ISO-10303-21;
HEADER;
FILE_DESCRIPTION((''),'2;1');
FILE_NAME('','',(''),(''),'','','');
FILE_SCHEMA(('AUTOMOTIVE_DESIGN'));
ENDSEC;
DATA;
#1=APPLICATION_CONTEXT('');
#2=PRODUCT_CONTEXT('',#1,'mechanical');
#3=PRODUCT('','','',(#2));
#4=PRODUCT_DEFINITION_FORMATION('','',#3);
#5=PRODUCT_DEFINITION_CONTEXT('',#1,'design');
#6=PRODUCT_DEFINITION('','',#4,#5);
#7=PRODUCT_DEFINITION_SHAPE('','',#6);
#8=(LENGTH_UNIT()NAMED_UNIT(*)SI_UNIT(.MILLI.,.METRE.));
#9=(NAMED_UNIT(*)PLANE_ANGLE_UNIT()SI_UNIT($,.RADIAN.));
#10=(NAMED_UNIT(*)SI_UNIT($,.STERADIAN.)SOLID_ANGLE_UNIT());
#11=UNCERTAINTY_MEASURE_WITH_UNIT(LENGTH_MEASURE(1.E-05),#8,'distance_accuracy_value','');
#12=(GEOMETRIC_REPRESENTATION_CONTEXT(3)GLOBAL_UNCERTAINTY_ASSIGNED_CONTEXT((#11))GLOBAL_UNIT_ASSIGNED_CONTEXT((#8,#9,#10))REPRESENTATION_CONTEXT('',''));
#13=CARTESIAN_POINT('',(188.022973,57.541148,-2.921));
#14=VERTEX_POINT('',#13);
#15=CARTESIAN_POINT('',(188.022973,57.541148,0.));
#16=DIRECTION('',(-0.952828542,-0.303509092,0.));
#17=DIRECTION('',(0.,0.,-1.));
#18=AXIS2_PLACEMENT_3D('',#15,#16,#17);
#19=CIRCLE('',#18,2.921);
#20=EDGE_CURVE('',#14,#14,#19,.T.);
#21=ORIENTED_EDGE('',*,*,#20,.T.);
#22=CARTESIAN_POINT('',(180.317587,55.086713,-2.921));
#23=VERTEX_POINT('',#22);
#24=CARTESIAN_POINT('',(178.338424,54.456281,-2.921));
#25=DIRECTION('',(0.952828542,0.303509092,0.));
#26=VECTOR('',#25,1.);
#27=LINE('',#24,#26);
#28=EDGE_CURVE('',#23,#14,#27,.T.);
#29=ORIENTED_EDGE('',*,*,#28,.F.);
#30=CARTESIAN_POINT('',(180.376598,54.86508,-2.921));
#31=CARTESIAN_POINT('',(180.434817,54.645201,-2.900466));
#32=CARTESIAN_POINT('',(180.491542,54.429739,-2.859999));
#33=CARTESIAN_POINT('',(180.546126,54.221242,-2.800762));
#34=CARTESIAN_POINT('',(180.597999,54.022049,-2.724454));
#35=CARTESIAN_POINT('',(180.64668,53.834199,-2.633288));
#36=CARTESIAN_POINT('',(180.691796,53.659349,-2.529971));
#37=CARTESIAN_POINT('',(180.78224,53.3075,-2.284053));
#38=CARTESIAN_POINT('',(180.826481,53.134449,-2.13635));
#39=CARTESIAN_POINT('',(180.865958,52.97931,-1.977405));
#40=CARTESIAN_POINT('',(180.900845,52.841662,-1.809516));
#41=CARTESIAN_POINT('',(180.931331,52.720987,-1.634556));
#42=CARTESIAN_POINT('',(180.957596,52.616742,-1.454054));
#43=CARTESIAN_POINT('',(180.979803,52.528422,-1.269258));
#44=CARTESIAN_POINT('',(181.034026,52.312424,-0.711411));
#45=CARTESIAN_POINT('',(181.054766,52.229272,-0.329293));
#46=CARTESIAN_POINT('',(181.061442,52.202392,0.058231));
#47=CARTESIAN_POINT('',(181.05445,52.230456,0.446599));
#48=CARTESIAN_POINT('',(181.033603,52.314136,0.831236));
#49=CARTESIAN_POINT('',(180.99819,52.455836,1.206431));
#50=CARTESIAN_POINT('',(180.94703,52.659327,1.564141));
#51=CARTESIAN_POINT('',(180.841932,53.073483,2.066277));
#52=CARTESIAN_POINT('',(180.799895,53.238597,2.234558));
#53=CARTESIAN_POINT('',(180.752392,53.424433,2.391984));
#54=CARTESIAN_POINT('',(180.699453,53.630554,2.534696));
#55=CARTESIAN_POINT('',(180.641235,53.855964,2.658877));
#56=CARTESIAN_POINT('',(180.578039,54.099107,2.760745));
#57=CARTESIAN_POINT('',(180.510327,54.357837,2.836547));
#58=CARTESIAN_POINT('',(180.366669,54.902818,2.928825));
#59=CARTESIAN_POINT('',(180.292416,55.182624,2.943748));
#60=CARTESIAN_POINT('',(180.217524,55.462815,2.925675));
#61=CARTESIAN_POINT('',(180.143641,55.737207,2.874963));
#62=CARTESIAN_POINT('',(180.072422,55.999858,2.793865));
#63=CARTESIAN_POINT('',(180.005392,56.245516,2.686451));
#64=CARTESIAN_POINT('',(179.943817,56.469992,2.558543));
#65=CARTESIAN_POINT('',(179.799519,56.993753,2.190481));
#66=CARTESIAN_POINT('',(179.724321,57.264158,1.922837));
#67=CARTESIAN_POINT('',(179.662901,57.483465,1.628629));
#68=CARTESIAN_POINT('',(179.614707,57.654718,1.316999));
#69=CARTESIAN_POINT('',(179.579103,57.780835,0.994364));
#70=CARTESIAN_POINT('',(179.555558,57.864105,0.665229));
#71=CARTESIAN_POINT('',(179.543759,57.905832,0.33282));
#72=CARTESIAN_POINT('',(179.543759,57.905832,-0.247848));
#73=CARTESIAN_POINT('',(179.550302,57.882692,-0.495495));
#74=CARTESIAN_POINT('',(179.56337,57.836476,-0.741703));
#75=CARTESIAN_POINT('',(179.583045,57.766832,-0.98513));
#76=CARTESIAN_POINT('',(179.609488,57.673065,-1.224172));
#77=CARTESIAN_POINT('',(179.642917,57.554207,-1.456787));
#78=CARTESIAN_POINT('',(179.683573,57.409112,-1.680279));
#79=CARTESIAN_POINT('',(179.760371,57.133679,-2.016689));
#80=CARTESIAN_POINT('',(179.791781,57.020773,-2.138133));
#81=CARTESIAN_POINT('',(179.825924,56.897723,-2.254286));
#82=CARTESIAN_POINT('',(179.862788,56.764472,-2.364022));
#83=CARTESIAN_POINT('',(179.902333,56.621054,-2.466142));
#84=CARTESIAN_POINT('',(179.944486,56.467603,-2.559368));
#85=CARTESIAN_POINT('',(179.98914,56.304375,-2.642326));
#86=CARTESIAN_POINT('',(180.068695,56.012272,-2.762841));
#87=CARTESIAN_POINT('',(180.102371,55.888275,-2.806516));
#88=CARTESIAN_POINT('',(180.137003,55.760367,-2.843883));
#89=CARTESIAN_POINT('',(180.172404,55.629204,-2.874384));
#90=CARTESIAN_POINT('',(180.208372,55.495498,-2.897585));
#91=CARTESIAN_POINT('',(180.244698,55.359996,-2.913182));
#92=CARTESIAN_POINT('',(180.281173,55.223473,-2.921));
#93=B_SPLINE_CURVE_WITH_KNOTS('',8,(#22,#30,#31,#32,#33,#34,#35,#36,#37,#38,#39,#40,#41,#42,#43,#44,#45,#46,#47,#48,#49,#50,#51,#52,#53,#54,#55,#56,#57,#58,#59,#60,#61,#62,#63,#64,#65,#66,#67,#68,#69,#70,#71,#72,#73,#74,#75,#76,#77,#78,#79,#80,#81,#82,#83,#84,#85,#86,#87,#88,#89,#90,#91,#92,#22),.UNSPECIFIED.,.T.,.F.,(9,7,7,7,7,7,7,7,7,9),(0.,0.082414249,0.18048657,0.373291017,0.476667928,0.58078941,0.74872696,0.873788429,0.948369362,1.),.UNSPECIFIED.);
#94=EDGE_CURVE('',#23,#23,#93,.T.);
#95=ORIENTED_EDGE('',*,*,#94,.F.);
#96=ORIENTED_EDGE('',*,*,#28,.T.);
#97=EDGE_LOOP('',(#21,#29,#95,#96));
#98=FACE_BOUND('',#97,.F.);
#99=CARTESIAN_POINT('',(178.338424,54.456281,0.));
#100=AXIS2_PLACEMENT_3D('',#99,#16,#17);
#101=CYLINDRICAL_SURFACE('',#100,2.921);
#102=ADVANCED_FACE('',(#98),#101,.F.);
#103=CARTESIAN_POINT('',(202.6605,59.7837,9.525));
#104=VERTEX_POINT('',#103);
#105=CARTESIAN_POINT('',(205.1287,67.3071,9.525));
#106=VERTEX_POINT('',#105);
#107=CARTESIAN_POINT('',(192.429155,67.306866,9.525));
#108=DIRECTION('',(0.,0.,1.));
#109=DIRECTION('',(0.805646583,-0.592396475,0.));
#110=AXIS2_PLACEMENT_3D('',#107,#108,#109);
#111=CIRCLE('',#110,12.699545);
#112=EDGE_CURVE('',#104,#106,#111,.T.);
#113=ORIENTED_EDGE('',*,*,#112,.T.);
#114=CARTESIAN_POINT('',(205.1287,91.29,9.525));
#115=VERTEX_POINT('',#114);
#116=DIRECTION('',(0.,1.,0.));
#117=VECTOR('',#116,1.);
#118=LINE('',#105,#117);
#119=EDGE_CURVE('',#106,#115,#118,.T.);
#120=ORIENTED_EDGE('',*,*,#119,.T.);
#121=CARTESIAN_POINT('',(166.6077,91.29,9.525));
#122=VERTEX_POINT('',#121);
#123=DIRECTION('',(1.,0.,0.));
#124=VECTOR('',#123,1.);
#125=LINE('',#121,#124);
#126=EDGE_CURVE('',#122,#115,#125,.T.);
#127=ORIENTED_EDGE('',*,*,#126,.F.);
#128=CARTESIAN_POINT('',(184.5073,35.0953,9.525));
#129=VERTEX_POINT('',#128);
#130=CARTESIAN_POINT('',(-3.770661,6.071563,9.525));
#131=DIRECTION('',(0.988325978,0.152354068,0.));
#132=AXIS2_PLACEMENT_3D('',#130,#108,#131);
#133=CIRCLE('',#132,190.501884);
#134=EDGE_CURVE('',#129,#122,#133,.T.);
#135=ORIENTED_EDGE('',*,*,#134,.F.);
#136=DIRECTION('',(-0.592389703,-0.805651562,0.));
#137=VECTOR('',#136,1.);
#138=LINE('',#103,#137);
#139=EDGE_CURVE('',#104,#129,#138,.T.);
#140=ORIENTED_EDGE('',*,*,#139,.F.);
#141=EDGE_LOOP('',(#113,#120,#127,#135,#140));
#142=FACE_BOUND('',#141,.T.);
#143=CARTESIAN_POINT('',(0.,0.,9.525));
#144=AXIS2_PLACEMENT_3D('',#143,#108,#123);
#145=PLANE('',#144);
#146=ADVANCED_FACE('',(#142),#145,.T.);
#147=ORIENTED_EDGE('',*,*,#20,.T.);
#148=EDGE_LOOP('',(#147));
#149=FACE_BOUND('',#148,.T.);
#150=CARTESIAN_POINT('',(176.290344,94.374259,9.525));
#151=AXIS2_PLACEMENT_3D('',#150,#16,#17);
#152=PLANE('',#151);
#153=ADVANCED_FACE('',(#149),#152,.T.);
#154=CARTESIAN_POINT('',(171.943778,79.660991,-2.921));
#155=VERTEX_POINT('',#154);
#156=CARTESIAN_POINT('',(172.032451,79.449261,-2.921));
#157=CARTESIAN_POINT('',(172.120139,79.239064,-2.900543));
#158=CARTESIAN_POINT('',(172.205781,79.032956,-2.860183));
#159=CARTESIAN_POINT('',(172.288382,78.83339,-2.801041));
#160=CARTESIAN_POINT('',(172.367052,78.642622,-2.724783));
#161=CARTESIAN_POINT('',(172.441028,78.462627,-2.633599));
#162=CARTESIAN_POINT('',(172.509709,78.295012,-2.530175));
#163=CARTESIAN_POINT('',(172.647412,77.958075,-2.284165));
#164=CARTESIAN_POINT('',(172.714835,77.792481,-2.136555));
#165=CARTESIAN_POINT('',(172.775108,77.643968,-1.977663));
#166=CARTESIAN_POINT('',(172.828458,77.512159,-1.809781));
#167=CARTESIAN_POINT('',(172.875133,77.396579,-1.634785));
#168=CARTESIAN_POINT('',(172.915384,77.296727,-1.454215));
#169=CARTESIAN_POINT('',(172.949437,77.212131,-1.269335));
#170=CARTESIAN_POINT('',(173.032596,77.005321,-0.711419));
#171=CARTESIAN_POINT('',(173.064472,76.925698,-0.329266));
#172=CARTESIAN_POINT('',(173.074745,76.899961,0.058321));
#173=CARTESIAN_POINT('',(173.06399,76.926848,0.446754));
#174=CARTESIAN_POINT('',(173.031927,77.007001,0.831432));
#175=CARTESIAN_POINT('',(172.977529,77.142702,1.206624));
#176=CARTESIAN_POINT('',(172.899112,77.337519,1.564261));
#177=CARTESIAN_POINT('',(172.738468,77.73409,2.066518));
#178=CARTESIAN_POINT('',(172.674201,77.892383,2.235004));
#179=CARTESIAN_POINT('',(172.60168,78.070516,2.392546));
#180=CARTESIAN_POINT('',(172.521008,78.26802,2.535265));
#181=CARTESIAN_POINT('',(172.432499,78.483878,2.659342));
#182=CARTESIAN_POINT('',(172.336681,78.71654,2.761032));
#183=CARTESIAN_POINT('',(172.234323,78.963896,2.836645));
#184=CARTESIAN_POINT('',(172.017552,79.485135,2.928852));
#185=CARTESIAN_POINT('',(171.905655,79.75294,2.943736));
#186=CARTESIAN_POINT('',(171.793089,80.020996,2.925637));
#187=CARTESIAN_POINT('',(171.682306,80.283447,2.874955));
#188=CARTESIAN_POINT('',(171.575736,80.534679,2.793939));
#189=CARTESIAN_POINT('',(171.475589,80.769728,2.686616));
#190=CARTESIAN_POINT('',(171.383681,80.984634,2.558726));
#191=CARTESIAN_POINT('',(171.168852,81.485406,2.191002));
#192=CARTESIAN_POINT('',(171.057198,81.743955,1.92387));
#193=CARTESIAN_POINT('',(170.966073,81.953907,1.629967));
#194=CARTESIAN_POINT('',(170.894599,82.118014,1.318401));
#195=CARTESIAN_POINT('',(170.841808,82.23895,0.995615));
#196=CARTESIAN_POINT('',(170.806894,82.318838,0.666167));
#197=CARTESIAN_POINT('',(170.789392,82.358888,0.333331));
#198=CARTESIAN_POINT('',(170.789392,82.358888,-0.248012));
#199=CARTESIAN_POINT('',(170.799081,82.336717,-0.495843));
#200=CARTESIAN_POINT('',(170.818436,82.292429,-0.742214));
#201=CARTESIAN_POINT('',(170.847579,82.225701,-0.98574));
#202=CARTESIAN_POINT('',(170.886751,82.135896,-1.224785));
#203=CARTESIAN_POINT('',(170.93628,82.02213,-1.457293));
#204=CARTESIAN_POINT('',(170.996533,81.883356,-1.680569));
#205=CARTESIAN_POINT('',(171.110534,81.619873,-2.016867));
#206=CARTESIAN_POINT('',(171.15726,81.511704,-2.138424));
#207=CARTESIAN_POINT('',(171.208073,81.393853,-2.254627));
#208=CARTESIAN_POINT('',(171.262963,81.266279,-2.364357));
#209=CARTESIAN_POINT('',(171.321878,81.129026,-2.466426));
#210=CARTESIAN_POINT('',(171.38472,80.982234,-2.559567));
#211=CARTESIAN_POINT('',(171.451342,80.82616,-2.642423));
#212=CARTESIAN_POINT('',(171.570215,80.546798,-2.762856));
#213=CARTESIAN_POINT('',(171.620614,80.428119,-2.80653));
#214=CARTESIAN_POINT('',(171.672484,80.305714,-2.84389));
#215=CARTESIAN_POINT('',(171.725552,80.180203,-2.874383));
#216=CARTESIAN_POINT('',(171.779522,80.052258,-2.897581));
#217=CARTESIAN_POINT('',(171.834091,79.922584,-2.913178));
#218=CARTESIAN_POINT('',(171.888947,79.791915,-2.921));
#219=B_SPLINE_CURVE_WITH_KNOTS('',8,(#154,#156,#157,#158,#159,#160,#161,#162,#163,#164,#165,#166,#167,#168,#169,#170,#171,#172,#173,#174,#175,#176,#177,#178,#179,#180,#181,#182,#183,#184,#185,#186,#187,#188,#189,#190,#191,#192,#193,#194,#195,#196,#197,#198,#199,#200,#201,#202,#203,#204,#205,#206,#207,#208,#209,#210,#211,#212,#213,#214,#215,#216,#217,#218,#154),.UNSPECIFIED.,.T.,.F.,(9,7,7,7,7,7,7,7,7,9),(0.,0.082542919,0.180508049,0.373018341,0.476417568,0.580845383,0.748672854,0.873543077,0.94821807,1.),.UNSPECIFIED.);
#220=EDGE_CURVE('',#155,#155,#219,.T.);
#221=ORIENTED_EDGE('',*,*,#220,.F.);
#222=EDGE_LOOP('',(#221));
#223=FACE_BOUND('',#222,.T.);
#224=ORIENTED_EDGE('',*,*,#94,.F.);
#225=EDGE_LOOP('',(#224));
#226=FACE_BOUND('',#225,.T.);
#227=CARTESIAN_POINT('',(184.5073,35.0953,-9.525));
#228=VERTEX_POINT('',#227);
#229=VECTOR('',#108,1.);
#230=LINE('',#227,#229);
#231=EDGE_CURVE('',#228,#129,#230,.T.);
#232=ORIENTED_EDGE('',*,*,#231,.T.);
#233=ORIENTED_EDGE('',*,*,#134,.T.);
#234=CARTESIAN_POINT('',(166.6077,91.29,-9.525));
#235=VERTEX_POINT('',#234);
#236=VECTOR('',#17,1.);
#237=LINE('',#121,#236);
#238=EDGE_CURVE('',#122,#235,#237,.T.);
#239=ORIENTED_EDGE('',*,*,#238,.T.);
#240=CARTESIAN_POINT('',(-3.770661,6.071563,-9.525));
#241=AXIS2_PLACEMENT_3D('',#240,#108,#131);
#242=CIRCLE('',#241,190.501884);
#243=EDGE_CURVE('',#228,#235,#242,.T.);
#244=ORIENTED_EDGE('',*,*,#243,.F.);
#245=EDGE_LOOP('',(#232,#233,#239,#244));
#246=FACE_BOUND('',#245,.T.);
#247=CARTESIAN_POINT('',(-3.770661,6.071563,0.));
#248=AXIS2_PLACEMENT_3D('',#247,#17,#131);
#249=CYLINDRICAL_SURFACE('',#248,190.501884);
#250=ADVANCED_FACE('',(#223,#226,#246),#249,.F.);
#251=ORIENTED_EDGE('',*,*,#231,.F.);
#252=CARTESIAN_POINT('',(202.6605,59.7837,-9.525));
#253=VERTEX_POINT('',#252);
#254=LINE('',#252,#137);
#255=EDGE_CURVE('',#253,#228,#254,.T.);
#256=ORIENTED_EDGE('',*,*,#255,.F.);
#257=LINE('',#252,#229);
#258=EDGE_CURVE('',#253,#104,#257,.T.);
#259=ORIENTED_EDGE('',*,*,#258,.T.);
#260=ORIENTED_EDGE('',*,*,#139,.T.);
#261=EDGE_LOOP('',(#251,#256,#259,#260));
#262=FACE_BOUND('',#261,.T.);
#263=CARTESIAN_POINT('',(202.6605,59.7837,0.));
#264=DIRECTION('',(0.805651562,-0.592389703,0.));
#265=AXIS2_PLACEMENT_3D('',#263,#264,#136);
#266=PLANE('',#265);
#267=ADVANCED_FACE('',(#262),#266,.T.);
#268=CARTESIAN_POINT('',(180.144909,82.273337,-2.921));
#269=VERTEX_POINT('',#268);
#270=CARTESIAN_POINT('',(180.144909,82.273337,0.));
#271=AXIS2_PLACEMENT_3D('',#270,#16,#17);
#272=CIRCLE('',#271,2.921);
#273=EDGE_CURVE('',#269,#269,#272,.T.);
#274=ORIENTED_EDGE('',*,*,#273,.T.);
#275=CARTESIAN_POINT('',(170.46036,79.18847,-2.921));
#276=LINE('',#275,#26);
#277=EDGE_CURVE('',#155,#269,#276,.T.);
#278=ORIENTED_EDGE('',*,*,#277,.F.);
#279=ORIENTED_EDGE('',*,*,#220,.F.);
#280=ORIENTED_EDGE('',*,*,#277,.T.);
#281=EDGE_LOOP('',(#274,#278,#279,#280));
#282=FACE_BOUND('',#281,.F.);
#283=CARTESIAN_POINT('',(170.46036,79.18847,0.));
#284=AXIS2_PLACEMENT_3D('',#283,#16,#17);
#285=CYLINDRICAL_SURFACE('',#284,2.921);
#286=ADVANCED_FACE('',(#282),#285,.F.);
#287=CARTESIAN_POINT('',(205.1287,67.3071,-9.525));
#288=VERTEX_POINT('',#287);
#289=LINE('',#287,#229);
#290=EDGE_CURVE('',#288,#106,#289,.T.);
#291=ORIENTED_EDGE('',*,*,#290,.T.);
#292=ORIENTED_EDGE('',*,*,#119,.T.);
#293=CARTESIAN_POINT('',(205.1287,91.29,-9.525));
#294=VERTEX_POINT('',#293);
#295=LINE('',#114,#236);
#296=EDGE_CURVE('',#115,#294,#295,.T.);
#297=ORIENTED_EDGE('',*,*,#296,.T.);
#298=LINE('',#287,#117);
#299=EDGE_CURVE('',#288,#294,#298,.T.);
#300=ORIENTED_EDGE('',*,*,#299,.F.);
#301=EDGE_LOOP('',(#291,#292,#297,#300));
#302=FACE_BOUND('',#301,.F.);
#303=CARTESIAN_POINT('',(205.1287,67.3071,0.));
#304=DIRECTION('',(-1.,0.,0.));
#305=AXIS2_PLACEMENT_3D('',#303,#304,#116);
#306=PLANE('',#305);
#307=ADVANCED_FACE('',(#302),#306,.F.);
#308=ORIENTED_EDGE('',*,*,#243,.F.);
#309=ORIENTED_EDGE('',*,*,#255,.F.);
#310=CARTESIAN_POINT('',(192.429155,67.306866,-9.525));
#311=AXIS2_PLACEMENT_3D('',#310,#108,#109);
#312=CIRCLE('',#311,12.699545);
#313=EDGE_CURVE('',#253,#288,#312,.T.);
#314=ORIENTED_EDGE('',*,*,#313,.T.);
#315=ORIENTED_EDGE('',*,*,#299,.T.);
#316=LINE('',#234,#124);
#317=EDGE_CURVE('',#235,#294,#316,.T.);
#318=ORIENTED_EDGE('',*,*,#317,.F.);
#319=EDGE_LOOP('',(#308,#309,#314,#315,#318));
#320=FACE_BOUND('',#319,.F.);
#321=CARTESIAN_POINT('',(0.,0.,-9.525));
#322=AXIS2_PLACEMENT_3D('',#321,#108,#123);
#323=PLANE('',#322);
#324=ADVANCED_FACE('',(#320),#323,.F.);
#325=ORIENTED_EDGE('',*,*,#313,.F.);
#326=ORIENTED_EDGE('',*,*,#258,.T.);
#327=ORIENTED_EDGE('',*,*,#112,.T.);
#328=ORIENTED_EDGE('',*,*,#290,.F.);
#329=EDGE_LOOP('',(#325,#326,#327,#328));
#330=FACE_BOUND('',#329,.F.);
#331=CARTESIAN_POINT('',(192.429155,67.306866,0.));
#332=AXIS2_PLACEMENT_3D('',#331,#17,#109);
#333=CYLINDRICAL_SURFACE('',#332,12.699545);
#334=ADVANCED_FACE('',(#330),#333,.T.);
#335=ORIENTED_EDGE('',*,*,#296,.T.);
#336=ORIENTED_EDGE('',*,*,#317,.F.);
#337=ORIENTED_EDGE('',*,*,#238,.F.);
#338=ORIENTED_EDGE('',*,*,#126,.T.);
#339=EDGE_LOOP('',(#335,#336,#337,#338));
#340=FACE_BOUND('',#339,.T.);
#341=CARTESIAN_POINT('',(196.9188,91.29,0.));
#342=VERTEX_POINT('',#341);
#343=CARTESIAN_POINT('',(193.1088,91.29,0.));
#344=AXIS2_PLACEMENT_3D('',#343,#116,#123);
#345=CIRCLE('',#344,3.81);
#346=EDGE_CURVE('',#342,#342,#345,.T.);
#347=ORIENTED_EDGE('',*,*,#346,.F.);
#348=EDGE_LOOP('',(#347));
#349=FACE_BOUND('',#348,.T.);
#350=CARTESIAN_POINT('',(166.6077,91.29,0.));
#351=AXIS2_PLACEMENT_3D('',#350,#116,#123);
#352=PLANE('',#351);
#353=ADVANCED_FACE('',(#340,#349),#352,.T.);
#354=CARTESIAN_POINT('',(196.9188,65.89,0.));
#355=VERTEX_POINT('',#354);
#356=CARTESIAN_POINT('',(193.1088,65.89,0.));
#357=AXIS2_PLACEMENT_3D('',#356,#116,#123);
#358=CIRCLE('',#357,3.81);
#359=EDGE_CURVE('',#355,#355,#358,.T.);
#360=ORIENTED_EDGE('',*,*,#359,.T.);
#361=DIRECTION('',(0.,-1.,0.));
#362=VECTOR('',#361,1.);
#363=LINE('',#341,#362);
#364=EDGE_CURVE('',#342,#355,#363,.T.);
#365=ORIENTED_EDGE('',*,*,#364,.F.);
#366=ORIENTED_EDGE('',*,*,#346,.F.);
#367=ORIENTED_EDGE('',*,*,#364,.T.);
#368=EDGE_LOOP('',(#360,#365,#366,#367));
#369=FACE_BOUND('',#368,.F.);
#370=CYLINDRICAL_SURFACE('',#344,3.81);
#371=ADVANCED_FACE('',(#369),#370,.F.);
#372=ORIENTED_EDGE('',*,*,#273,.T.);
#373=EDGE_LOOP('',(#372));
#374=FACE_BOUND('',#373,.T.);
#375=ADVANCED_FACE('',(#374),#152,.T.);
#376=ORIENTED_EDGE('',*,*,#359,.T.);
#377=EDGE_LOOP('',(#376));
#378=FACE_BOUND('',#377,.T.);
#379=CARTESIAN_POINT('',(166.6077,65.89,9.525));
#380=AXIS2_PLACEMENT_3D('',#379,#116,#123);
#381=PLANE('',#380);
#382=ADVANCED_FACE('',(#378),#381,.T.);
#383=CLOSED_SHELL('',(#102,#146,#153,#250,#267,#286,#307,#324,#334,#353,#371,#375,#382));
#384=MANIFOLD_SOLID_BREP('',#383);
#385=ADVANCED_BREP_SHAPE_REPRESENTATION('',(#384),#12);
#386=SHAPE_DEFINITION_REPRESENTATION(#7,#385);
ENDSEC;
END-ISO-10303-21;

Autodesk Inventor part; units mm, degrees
ref_plane "YZ Plane" through (0, 0, 0) normal (1, 0, 0) x (0, 1, 0)
ref_plane "XZ Plane" through (0, 0, 0) normal (0, 1, 0) x (-1, 0, 0)
ref_plane "XY Plane" through (0, 0, 0) normal (0, 0, 1) x (1, 0, 0)
sketch "Sketch1" plane through (0, 0, 0) normal (0, 0, 1) x (1, 0, 0)
  arc A0 (184.5073, 35.0953) -> (33.1465, 192.9611) centre (-3.7688, 6.072) ccw construction
  arc A1 (184.5073, 35.0953) -> (166.6077, 91.29) centre (-3.7688, 6.072) ccw
  line L0 (202.6605, 59.7837) -> (184.5073, 35.0953)
  arc A2 (202.6605, 59.7837) -> (205.1287, 67.3071) centre (192.4287, 67.3071) ccw
  line L1 (166.6077, 91.29) -> (205.1287, 91.29)
  line L2 (205.1287, 67.3071) -> (205.1287, 91.29)
  point P0 (0, 0)
  dimension "d3" = 12.7
extrude "Extrusion1" add sketch "Sketch1" along normal mid plane 19.05
sketch "Sketch2" plane through (166.6077, 91.29, 9.525) normal (0, 1, 0) x (1, 0, 0)
  circle A0 centre (26.5011, 9.525) radius 3.81
  line L0 (38.5211, 0) -> (38.5211, 19.05) construction
  ellipse E0 centre (26.5011, 5.9613) end of major axis (22.6972, 5.7462) minor radius 3.81 construction
  ellipse E1 centre (26.5011, 5.9613) end of major axis (22.6972, 5.7462) minor radius 3.81 construction
  point P0 (-166.6077, 9.525)
  point P1 (38.5211, 9.525)
  dimension "d6" = 7.62
extrude "Extrusion2" cut sketch "Sketch2" against normal blind 25.4
ref_plane "Work Plane1" through (166.6077, 91.29, 9.525) normal (-0.9528, -0.3035, 0) x (0, 0, -1)
sketch "Sketch3" plane through (166.6077, 91.29, 9.525) normal (-0.9528, -0.3035, 0) x (0, 0, -1)
  circle A0 centre (9.525, 12.7) radius 2.921
  line L0 (0, 0) -> (19.05, 0) construction
  circle A1 centre (9.525, 38.6566) radius 2.921
  line L1 (19.05, 58.9766) -> (0, 58.9766) projected
  point P0 (9.525, 36.4178)
  point P1 (9.525, 0)
  point P2 (9.525, 0)
  dimension "d9" = 5.842
  dimension "d10" = 12.7
  dimension "d11" = 5.842
  dimension "d12" = 20.32
extrude "Extrusion3" cut sketch "Sketch3" against normal blind 10.16
ref_plane "Work Plane2" through (0, 0, 0) normal (0, 0, 1) x (1, 0, 0)
sketch "Sketch4" plane through (0, 0, 0) normal (0, 0, 1) x (1, 0, 0)
  point P0 (0, 0)
equation "\"d11\" = d9"
properties part number "light_mount"
